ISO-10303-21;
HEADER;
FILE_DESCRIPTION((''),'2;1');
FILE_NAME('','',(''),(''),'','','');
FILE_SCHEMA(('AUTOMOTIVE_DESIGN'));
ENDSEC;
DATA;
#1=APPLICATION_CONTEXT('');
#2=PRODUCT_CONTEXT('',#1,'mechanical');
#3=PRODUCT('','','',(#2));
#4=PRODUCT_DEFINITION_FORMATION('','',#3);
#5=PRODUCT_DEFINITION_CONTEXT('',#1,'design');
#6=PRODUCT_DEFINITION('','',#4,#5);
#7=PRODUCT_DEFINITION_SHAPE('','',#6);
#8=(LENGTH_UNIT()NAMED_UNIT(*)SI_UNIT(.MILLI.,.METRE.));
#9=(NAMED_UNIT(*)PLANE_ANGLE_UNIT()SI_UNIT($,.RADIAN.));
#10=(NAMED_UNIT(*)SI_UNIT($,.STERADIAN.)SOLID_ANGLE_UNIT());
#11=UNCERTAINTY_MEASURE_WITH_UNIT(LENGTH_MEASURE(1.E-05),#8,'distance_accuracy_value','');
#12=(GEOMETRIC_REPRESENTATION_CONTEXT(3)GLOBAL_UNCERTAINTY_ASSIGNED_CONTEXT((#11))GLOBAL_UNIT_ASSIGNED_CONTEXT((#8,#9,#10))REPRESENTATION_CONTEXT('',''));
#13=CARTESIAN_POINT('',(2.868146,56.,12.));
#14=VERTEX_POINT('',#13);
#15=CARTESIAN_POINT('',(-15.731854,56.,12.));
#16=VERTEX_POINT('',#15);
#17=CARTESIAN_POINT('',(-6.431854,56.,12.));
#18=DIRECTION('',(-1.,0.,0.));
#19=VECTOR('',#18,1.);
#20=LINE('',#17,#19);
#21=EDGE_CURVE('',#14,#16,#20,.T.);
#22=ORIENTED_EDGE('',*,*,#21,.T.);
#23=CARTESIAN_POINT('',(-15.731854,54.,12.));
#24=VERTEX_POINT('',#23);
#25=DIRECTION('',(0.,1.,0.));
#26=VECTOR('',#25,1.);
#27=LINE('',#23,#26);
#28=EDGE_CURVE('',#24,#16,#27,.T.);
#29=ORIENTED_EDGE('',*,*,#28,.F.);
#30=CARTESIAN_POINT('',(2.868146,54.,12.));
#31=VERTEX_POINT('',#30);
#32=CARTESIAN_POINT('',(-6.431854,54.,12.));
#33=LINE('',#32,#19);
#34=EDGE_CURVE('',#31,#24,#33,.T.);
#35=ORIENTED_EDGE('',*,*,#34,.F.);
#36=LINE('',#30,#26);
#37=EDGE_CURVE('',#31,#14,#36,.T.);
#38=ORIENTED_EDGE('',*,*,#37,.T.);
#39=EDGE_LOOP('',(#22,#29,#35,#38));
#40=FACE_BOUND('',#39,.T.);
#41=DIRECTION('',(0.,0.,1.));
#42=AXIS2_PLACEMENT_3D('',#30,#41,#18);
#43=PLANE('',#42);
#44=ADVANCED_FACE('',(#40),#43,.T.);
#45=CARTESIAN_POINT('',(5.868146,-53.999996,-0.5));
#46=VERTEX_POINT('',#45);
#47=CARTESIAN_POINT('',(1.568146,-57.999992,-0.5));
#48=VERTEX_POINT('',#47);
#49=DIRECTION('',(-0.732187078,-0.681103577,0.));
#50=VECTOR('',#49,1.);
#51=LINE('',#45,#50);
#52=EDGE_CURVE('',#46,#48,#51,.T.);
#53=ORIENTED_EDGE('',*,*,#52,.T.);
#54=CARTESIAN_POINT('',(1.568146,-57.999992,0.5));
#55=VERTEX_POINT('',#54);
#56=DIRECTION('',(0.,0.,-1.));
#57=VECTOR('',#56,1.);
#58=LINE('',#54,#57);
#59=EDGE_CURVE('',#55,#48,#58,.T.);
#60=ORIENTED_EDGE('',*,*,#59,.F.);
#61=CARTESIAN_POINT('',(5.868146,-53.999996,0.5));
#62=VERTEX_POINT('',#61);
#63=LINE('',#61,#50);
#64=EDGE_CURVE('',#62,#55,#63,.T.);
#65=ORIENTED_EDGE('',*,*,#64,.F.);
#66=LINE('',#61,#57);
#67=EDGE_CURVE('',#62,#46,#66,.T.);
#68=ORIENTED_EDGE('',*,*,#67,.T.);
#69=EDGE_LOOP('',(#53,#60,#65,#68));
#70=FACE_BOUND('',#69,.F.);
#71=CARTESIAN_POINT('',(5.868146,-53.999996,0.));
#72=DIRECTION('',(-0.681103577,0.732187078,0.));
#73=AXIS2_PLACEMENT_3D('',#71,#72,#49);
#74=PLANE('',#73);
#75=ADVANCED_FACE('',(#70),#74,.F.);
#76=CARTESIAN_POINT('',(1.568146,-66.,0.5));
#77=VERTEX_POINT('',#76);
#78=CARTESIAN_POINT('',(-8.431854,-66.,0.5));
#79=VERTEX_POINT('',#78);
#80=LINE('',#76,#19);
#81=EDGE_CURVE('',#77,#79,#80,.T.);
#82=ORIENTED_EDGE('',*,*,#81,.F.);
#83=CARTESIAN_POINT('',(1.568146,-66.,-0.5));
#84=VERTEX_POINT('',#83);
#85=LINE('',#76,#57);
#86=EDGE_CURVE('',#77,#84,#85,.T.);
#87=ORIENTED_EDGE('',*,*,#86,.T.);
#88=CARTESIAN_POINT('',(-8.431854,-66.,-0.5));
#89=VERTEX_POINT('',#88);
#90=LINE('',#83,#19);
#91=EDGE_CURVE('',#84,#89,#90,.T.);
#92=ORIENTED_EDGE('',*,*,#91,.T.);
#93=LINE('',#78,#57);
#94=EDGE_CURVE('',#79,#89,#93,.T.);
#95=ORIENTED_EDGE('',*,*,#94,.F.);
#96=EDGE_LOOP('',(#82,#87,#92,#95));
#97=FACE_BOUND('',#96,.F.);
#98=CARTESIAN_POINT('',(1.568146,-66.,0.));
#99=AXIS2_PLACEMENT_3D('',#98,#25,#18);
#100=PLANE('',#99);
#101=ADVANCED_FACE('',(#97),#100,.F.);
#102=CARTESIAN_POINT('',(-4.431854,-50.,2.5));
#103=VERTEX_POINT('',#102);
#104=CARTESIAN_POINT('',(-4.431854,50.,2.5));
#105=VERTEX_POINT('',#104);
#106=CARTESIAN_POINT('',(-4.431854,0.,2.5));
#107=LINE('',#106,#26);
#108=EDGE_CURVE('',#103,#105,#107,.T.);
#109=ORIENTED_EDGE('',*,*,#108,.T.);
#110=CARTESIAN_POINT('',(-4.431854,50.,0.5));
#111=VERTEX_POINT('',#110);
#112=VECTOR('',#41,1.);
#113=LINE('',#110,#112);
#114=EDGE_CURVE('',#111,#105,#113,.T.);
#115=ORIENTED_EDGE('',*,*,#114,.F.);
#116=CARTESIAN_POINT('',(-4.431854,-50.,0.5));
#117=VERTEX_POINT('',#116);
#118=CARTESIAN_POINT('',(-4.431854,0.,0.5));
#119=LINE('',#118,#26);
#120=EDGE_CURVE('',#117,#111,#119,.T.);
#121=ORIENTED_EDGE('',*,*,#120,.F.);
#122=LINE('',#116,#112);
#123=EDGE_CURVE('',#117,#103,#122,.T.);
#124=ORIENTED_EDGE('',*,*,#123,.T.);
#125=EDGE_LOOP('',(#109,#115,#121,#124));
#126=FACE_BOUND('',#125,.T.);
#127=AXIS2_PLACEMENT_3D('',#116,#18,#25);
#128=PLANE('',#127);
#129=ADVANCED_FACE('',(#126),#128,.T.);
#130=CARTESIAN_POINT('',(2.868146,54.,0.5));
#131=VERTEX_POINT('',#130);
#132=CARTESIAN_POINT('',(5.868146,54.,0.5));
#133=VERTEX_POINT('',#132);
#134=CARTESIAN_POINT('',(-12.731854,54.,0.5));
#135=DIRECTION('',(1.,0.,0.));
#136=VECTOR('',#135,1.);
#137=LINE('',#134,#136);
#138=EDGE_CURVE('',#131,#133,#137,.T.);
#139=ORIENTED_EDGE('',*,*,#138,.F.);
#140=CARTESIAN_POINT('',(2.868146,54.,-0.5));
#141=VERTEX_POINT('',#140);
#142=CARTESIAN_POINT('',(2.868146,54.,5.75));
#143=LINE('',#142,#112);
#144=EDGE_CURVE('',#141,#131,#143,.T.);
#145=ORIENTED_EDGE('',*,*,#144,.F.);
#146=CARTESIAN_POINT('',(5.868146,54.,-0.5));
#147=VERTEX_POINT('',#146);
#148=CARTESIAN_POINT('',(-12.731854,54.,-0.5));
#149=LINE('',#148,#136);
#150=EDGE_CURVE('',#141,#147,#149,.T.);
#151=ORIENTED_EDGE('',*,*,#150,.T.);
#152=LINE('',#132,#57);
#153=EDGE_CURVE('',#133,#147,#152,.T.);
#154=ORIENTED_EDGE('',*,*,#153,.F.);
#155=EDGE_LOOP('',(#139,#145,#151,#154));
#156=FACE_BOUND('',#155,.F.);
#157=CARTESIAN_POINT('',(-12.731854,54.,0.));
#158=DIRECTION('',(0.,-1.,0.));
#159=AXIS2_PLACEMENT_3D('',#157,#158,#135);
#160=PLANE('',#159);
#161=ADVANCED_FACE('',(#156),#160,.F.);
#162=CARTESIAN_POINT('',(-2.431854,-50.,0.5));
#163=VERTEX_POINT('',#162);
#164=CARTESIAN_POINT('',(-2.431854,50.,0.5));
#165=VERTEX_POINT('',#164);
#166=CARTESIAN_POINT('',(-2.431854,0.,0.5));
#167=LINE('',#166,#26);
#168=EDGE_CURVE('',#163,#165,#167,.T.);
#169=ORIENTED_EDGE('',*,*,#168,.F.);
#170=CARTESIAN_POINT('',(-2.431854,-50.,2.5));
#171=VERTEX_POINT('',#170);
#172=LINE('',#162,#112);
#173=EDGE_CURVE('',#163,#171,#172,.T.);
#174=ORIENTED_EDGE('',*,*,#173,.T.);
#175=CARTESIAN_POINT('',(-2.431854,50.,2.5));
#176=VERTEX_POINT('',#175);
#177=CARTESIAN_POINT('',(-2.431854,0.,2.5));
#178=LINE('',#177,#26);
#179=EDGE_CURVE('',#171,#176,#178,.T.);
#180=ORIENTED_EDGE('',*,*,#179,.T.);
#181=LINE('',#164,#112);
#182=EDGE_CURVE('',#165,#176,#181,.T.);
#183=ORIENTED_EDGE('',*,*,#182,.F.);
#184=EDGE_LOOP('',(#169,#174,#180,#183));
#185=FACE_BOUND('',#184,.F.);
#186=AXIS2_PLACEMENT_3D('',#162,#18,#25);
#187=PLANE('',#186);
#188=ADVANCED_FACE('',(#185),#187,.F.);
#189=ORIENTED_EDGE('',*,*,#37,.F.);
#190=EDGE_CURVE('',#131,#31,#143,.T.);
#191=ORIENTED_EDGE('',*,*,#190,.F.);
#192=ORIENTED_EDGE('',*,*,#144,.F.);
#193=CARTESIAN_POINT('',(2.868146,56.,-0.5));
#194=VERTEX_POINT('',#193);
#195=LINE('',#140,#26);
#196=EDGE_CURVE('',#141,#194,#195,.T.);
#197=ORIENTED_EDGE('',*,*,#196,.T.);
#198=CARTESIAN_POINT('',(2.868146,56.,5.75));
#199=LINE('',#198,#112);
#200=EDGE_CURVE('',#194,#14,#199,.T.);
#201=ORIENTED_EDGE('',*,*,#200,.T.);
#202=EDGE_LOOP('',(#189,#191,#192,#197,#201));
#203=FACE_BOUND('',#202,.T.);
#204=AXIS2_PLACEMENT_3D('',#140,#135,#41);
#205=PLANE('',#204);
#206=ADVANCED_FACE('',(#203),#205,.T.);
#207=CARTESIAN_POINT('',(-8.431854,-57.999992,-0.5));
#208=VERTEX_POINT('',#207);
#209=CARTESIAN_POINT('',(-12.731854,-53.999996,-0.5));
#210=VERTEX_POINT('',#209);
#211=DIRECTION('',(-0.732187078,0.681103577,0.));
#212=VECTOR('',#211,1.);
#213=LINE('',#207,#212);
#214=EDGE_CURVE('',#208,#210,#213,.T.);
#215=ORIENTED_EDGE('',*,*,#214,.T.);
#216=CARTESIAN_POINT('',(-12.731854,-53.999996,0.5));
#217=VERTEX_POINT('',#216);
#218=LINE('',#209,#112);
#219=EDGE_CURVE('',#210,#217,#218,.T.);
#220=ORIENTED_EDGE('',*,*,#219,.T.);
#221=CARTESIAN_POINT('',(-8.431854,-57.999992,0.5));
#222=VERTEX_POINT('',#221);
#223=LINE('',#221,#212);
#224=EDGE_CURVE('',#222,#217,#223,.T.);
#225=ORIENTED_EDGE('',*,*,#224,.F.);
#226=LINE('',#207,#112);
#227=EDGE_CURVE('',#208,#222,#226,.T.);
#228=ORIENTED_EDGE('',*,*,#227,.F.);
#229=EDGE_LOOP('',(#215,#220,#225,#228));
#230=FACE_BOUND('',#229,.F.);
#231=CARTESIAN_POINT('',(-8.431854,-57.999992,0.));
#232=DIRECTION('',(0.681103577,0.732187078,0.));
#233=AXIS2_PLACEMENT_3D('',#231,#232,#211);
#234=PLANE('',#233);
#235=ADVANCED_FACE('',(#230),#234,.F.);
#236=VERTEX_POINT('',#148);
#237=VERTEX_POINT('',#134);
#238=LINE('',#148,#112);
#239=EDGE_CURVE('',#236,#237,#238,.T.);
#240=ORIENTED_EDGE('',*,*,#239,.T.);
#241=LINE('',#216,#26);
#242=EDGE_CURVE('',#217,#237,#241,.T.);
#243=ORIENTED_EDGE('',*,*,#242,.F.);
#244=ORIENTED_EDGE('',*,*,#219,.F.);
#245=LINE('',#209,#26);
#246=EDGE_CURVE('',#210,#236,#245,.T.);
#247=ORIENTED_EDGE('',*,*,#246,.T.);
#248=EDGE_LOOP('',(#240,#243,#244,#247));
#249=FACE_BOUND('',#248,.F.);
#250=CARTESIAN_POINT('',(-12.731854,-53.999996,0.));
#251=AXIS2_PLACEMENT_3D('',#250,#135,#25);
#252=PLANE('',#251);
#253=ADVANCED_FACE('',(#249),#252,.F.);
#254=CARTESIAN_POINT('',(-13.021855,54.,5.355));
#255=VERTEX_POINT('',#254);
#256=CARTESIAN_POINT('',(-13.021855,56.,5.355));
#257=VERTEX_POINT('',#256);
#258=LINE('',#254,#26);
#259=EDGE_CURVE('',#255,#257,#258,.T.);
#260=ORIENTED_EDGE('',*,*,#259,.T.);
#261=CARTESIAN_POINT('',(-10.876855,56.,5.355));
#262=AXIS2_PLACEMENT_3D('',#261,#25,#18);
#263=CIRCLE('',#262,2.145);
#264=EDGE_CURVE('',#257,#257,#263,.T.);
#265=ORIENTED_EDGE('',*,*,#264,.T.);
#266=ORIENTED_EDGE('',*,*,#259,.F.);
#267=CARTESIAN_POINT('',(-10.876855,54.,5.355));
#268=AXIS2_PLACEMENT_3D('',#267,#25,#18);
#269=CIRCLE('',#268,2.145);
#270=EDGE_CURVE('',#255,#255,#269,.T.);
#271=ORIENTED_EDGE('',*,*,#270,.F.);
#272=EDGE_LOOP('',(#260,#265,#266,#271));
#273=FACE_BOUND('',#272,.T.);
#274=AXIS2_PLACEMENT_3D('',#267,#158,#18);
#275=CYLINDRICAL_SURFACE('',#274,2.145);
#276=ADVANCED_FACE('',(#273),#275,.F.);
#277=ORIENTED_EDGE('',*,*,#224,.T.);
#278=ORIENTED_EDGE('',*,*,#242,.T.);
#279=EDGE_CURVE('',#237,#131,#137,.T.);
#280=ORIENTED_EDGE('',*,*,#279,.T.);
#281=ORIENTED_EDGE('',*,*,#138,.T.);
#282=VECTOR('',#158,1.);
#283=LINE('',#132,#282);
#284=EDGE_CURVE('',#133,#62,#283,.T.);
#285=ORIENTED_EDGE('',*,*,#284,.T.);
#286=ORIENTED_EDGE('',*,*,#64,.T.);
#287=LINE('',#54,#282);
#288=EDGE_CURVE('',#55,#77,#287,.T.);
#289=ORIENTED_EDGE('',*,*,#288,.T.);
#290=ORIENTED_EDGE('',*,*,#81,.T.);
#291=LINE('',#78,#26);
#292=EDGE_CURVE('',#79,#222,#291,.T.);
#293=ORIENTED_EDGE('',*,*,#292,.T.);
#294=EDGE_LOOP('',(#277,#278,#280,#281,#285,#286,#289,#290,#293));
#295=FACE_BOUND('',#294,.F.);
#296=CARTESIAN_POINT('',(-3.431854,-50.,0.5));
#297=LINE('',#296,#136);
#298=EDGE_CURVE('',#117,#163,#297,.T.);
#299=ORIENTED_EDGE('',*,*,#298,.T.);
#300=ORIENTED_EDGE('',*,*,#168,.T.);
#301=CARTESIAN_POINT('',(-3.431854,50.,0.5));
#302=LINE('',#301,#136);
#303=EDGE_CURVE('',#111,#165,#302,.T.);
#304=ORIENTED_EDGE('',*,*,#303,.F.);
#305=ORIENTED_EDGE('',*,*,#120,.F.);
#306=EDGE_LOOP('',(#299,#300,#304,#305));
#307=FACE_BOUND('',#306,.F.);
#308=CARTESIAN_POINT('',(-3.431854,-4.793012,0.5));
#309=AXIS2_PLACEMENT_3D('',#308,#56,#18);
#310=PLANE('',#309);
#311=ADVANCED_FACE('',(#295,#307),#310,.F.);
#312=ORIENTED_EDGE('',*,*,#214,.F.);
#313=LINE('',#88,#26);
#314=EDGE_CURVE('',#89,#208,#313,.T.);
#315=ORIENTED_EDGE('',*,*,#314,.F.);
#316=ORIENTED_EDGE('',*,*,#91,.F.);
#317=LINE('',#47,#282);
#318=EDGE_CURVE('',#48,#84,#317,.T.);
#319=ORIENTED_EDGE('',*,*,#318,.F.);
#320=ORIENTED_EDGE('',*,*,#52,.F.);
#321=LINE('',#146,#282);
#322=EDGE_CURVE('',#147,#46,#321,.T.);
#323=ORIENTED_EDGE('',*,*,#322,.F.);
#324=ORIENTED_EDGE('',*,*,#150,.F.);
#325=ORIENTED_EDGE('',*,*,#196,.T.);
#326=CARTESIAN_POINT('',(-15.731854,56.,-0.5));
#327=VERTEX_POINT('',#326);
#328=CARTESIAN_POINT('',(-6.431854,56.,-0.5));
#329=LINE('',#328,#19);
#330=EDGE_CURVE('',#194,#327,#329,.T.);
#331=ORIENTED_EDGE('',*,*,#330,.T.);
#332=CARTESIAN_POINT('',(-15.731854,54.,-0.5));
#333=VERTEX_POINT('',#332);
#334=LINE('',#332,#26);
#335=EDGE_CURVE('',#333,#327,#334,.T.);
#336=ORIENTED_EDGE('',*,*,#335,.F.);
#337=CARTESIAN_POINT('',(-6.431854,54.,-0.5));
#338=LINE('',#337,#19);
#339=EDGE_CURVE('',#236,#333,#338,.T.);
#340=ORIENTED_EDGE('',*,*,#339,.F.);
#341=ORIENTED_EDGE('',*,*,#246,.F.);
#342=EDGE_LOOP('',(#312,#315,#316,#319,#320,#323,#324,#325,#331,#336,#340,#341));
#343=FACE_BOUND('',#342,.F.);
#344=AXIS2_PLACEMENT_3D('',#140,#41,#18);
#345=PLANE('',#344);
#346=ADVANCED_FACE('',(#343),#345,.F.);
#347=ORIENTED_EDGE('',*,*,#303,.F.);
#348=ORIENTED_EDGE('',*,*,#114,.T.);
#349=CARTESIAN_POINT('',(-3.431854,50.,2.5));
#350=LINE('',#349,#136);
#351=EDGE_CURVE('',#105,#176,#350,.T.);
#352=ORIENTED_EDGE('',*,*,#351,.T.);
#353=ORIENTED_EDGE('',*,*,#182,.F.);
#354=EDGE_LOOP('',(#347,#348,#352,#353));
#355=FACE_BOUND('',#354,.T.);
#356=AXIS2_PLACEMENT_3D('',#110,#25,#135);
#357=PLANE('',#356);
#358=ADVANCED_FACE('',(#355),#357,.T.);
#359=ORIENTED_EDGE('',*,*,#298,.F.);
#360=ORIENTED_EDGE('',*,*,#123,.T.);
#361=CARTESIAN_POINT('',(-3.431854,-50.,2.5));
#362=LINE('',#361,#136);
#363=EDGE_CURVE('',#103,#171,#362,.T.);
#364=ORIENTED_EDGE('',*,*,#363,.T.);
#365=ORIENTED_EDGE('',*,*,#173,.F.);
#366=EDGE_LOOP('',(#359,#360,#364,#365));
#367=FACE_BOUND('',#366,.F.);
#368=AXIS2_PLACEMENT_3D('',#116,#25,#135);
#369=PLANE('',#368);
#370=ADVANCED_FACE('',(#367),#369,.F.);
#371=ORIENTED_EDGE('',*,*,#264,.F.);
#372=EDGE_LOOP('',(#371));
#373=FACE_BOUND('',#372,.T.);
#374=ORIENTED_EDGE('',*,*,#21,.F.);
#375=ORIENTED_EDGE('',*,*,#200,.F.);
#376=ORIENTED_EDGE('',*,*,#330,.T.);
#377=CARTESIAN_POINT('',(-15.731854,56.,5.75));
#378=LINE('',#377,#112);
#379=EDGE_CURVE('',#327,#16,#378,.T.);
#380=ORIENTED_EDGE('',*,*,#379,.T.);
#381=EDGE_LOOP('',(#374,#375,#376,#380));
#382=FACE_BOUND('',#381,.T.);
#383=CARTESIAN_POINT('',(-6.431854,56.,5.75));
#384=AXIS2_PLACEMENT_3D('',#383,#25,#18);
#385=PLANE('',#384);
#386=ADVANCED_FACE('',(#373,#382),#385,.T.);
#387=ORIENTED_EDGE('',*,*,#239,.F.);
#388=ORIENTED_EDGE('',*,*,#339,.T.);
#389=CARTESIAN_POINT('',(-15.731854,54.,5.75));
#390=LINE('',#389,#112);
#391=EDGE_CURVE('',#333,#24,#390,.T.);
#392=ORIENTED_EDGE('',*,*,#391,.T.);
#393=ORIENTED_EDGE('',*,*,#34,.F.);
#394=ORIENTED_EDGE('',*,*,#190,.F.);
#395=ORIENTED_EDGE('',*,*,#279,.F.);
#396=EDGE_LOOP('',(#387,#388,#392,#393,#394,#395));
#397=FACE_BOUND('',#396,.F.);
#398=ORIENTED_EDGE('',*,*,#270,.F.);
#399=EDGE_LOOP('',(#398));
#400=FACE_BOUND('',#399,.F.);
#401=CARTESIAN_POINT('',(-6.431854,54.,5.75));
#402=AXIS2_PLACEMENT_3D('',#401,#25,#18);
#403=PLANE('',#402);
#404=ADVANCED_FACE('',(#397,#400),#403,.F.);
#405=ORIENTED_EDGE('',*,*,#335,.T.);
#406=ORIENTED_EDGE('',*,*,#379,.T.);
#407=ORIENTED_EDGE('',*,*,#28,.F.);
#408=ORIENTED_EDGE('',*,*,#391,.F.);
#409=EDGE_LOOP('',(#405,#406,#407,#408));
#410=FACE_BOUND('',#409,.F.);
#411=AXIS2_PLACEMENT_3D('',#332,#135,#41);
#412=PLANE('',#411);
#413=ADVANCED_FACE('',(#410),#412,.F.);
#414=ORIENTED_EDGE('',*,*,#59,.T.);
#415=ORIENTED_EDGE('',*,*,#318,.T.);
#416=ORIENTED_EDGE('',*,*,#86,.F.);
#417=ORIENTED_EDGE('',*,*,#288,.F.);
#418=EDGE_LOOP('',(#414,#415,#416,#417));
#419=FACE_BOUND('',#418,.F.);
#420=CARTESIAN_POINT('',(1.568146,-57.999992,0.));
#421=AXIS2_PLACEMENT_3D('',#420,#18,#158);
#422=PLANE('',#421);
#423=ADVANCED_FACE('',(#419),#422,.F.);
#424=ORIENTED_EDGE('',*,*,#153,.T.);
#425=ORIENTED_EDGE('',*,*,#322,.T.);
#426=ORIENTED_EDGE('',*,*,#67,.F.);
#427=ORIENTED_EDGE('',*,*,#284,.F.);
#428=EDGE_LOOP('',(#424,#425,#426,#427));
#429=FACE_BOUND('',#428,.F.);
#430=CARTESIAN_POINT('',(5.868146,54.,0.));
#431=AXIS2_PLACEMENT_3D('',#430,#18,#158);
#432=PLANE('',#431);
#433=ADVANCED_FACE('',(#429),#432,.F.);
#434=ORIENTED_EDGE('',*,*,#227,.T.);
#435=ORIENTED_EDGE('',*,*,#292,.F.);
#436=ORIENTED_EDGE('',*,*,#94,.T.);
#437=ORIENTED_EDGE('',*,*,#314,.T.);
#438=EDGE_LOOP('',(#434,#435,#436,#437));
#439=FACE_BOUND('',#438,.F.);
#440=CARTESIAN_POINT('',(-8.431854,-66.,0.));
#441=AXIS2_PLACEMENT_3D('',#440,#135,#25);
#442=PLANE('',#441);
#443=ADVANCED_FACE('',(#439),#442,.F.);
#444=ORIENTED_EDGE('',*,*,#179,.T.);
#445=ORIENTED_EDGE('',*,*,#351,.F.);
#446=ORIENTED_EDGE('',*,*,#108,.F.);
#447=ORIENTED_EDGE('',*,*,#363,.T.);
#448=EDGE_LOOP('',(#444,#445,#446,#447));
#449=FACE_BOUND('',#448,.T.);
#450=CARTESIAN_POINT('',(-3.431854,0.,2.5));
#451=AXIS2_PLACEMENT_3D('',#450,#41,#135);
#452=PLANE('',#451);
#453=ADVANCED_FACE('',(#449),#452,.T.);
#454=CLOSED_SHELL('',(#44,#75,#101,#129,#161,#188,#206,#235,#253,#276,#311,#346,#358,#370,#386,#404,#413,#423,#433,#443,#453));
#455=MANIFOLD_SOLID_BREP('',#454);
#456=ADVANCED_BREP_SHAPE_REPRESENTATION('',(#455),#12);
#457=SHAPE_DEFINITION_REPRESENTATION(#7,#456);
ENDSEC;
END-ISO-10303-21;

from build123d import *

# Parameters (mm, degrees)
PAD_DEPTH    = 0.5
SKETCH001_W  = 2
SKETCH001_H  = 100
PAD001_DEPTH = 2
SKETCH002_W  = 18.6
SKETCH002_H  = 12.5
SKETCH002_R  = 2.145
PAD002_DEPTH = 2


with BuildPart() as part:
    # Sketch → Pad (new body, symmetric)
    with BuildSketch(Plane.XY):
        Polygon((-12.731854, 54), (5.868146, 54), (5.868146, -53.999996), (1.568146, -57.999992), (1.568146, -66), (-8.431854, -66), (-8.431854, -57.999992), (-12.731854, -53.999996), align=None)
    extrude(amount=PAD_DEPTH, both=True)

    # Sketch001 (on Face10 of Pad) → Pad001 (join)
    with BuildSketch(Plane.XY.offset(0.5)):
        with Locations((-3.431854, 0)):
            Rectangle(SKETCH001_W, SKETCH001_H)
    extrude(amount=PAD001_DEPTH)

    # Sketch002 (on Face1 of Pad001) → Pad002 (join)
    with BuildSketch(Plane(origin=(0, 54, 0), x_dir=(-1, 0, 0), z_dir=(0, 1, 0))):
        with Locations((6.431854, 5.75)):
            Rectangle(SKETCH002_W, SKETCH002_H)
        with Locations((10.876855, 5.355)):
            Circle(SKETCH002_R, mode=Mode.SUBTRACT)
    extrude(amount=PAD002_DEPTH)


solid = part.part
